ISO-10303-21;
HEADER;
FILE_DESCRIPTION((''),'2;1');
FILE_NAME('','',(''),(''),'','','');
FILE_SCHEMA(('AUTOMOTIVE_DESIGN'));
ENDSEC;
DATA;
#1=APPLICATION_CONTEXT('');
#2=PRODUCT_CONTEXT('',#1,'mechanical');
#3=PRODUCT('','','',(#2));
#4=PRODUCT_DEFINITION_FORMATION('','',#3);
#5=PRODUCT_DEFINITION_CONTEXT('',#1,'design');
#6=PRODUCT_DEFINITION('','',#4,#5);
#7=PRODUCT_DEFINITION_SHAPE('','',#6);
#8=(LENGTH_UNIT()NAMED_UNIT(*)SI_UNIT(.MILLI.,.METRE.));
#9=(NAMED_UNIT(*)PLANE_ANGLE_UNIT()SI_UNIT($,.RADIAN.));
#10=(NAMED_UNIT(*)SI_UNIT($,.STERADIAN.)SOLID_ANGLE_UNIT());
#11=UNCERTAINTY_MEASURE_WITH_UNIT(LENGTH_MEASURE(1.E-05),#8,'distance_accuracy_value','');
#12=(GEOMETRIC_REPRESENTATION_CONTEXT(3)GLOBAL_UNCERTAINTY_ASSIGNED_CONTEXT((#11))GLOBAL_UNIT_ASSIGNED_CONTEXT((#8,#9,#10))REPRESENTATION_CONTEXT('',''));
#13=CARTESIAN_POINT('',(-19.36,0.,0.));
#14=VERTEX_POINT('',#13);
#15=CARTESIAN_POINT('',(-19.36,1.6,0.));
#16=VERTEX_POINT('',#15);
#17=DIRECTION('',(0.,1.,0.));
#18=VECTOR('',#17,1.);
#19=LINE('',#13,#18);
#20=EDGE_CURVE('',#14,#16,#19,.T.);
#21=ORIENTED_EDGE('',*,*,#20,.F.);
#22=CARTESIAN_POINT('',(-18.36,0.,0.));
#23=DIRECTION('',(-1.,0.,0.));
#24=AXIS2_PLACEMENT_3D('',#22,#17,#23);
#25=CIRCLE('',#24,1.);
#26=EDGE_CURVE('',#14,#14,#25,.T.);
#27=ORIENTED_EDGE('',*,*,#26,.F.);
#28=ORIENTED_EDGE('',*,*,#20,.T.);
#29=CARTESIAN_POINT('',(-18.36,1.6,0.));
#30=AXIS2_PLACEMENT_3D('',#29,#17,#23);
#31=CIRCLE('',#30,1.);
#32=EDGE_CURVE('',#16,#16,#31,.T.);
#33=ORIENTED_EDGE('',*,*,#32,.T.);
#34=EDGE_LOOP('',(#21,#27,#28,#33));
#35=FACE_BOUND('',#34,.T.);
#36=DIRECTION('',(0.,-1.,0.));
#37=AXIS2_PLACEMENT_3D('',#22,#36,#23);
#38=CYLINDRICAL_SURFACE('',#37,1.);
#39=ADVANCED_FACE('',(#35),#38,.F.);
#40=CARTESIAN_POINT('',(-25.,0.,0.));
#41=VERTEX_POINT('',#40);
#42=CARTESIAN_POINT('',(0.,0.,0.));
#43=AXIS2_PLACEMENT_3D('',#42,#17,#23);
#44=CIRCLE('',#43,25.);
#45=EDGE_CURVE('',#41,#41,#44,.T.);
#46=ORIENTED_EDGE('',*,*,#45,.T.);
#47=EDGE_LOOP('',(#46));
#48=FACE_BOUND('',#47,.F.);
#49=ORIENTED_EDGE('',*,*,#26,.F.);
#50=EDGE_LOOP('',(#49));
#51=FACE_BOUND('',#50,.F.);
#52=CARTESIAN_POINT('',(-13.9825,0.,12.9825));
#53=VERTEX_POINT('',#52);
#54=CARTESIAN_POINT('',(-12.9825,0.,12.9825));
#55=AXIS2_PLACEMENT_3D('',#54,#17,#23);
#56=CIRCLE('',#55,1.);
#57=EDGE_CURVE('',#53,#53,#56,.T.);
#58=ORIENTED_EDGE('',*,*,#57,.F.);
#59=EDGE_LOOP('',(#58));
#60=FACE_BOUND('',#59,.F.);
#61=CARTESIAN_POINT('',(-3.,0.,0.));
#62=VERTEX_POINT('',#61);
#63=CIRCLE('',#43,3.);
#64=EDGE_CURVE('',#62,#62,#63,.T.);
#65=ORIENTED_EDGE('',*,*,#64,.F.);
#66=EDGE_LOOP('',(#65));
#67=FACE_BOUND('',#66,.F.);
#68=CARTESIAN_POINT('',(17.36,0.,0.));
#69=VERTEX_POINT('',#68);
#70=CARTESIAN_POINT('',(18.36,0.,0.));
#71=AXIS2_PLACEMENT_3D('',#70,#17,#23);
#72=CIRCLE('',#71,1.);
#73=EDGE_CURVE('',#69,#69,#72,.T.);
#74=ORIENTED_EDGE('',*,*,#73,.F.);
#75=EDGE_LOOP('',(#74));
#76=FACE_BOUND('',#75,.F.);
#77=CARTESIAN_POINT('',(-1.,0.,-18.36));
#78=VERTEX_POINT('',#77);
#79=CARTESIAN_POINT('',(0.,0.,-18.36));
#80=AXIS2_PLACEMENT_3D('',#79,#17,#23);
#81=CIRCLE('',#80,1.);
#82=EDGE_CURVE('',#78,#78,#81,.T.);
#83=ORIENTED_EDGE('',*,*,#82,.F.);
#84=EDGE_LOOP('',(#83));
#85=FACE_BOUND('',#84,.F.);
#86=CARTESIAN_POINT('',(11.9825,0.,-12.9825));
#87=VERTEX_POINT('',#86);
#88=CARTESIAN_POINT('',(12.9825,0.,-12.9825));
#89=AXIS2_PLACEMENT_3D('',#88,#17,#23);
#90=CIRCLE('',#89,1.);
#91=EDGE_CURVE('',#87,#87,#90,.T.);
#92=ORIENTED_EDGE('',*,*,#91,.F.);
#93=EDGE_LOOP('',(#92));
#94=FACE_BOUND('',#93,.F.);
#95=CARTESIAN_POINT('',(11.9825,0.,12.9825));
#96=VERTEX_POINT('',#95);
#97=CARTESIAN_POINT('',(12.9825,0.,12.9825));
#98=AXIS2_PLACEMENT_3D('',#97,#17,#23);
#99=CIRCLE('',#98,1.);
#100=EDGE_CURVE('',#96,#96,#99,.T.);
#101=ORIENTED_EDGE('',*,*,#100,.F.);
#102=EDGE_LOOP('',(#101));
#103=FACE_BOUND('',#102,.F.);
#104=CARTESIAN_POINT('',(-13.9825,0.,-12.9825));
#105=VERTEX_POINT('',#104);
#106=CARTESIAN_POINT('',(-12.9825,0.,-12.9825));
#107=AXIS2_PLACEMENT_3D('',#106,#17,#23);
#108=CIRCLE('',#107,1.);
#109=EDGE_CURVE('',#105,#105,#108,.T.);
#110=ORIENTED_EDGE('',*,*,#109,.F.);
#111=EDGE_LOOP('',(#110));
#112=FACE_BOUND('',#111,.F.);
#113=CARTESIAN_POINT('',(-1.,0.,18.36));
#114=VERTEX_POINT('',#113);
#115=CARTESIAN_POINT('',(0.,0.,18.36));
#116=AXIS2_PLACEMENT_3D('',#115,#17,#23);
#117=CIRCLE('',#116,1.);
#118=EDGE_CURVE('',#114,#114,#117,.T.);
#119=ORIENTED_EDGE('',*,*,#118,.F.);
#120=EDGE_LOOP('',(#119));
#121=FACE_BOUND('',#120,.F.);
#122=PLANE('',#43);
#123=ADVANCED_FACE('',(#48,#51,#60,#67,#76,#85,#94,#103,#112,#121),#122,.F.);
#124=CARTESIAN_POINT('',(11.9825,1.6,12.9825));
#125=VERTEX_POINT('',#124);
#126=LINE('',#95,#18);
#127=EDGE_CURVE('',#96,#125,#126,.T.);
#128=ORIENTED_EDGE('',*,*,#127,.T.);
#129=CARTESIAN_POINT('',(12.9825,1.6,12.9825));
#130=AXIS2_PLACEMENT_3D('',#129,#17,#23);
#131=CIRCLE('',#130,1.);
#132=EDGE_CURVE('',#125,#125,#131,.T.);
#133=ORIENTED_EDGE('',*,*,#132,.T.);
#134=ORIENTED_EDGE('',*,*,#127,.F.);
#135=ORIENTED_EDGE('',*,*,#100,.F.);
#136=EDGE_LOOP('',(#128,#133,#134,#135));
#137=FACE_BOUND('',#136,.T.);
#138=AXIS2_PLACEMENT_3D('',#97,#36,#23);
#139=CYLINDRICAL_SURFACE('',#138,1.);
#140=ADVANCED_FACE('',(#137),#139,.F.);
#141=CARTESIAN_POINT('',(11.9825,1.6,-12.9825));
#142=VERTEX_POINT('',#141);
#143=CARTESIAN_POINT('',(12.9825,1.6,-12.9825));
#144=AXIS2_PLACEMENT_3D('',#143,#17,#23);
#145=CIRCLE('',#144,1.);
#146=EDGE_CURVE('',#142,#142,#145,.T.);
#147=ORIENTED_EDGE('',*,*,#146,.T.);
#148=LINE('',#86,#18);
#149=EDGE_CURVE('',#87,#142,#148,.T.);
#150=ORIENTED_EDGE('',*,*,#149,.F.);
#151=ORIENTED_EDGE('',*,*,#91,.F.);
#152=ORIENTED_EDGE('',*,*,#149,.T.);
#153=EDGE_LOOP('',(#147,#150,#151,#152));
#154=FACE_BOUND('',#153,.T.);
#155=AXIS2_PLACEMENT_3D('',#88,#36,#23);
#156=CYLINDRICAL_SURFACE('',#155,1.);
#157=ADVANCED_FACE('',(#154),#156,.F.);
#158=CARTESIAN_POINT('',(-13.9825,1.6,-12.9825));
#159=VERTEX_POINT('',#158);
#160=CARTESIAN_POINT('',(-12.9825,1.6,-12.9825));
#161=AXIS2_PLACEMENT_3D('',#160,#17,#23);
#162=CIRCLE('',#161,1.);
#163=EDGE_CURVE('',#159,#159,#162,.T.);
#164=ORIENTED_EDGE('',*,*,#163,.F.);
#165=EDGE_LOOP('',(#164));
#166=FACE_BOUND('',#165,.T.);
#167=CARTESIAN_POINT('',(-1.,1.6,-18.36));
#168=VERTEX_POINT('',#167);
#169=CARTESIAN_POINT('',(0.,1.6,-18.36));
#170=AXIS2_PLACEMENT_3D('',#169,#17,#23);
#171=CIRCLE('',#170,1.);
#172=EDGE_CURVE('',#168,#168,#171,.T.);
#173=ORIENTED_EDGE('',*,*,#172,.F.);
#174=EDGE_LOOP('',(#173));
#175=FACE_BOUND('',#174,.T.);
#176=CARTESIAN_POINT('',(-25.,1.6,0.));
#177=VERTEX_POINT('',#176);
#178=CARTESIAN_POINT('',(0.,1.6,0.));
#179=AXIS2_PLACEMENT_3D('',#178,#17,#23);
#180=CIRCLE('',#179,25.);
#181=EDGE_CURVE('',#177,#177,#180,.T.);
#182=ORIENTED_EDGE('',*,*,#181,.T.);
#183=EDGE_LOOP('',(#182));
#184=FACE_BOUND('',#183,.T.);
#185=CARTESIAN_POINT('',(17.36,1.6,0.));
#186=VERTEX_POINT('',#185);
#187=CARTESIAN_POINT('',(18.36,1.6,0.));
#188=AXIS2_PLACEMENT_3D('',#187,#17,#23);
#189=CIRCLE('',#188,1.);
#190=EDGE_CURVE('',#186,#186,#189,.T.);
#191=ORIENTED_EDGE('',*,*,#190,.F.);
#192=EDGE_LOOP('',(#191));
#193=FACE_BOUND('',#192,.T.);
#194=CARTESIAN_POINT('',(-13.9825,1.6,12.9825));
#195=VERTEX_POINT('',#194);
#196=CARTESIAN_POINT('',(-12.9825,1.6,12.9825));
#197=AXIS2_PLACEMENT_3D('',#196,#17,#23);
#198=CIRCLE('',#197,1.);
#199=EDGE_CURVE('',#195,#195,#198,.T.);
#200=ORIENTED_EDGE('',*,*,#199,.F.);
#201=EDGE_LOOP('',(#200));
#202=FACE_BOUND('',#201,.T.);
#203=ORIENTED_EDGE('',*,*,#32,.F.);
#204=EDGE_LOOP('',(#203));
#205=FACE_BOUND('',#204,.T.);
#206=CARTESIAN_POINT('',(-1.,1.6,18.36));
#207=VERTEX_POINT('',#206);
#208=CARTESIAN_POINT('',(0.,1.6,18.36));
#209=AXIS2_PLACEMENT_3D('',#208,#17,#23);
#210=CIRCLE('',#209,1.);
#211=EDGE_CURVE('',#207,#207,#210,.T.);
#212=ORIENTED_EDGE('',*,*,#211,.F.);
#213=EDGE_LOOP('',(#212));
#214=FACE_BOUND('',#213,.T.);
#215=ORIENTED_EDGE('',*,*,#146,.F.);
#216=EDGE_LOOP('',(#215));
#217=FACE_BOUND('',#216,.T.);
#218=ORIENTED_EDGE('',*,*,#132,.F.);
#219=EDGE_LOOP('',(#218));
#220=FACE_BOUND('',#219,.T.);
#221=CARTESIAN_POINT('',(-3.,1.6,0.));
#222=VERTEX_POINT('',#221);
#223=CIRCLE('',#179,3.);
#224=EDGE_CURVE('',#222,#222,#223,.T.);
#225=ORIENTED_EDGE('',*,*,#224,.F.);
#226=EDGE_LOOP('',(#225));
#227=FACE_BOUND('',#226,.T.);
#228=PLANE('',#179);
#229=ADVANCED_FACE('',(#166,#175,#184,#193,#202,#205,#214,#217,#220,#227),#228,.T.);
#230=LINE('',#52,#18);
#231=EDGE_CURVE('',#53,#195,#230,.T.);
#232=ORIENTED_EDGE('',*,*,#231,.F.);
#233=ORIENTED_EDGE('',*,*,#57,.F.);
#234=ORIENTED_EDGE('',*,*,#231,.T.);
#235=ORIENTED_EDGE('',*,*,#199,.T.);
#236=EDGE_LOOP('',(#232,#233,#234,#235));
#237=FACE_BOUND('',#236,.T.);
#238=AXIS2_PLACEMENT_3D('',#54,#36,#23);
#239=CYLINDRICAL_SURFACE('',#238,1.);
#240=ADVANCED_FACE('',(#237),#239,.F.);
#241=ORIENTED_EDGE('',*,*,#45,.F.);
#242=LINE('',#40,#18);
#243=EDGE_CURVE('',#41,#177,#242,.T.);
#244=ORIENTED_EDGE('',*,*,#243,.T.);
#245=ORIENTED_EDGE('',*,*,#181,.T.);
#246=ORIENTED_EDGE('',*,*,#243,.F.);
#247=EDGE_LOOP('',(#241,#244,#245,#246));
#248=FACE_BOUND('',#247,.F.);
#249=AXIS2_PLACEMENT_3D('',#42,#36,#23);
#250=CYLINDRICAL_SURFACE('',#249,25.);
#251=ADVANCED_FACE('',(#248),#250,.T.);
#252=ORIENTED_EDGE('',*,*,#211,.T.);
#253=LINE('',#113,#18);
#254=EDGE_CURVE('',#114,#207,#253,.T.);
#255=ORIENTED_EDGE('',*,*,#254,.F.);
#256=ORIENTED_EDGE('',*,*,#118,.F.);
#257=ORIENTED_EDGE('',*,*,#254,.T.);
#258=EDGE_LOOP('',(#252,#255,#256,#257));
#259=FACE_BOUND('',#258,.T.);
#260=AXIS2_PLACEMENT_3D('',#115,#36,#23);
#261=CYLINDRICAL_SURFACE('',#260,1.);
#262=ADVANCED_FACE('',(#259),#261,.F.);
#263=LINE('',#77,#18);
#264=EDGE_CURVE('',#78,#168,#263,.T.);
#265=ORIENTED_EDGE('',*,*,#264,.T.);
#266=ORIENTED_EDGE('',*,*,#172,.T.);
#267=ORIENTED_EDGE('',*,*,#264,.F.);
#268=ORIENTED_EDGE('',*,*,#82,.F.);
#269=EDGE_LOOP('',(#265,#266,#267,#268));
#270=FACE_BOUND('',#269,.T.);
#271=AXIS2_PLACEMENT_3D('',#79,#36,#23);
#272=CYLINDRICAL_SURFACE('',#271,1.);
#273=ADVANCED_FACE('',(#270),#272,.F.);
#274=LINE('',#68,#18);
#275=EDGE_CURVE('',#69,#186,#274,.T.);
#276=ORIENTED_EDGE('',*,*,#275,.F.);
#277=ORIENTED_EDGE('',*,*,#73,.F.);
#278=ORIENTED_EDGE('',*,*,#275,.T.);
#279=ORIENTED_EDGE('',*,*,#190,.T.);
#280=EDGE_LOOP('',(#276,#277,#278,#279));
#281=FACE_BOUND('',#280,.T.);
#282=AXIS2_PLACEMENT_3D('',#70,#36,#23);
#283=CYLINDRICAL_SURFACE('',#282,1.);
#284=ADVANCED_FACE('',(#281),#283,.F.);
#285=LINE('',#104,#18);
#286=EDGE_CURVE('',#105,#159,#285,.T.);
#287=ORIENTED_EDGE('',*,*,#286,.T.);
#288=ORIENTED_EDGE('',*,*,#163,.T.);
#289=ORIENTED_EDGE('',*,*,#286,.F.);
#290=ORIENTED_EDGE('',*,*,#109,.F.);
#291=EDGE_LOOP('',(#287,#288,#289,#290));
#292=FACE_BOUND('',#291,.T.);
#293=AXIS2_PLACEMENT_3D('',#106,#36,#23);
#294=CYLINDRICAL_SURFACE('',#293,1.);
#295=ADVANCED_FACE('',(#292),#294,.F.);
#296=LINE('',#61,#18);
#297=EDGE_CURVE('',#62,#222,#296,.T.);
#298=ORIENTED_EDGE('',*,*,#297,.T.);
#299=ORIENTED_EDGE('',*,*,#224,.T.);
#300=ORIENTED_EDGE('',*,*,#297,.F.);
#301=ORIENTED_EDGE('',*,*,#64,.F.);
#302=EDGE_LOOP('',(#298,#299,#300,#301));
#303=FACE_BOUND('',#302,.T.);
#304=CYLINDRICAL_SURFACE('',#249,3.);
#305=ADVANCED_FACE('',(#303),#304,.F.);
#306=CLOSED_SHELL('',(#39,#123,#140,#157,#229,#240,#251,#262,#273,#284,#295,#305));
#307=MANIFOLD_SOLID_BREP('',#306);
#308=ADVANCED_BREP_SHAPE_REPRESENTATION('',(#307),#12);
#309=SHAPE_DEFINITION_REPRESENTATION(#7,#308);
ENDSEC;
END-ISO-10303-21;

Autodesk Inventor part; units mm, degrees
ref_plane "YZ Plane" through (0, 0, 0) normal (1, 0, 0) x (0, 1, 0)
ref_plane "XZ Plane" through (0, 0, 0) normal (0, 1, 0) x (-1, 0, 0)
ref_plane "XY Plane" through (0, 0, 0) normal (0, 0, 1) x (1, 0, 0)
sketch "Sketch1" plane through (0, 0, 0) normal (0, 1, 0) x (-1, 0, 0)
  circle A0 centre (0, 0) radius 25
  circle A1 centre (0, 0) radius 3
  circle A2 centre (0, 18.36) radius 1
  circle A3 centre (-12.9825, 12.9825) radius 1
  circle A4 centre (-18.36, 0) radius 1
  circle A5 centre (-12.9825, -12.9825) radius 1
  circle A6 centre (0, -18.36) radius 1
  circle A7 centre (12.9825, -12.9825) radius 1
  circle A8 centre (18.36, 0) radius 1
  circle A9 centre (12.9825, 12.9825) radius 1
  dimension "d0" = 50
  dimension "d1" = 6
  dimension "d2" = 2
  dimension "d3" = 18.36
  dimension "d6" = 360
extrude "Extrusion1" add sketch "Sketch1" along normal blind 1.6
properties part number "CUT_FR4_Bottom_Cone_PCB"
